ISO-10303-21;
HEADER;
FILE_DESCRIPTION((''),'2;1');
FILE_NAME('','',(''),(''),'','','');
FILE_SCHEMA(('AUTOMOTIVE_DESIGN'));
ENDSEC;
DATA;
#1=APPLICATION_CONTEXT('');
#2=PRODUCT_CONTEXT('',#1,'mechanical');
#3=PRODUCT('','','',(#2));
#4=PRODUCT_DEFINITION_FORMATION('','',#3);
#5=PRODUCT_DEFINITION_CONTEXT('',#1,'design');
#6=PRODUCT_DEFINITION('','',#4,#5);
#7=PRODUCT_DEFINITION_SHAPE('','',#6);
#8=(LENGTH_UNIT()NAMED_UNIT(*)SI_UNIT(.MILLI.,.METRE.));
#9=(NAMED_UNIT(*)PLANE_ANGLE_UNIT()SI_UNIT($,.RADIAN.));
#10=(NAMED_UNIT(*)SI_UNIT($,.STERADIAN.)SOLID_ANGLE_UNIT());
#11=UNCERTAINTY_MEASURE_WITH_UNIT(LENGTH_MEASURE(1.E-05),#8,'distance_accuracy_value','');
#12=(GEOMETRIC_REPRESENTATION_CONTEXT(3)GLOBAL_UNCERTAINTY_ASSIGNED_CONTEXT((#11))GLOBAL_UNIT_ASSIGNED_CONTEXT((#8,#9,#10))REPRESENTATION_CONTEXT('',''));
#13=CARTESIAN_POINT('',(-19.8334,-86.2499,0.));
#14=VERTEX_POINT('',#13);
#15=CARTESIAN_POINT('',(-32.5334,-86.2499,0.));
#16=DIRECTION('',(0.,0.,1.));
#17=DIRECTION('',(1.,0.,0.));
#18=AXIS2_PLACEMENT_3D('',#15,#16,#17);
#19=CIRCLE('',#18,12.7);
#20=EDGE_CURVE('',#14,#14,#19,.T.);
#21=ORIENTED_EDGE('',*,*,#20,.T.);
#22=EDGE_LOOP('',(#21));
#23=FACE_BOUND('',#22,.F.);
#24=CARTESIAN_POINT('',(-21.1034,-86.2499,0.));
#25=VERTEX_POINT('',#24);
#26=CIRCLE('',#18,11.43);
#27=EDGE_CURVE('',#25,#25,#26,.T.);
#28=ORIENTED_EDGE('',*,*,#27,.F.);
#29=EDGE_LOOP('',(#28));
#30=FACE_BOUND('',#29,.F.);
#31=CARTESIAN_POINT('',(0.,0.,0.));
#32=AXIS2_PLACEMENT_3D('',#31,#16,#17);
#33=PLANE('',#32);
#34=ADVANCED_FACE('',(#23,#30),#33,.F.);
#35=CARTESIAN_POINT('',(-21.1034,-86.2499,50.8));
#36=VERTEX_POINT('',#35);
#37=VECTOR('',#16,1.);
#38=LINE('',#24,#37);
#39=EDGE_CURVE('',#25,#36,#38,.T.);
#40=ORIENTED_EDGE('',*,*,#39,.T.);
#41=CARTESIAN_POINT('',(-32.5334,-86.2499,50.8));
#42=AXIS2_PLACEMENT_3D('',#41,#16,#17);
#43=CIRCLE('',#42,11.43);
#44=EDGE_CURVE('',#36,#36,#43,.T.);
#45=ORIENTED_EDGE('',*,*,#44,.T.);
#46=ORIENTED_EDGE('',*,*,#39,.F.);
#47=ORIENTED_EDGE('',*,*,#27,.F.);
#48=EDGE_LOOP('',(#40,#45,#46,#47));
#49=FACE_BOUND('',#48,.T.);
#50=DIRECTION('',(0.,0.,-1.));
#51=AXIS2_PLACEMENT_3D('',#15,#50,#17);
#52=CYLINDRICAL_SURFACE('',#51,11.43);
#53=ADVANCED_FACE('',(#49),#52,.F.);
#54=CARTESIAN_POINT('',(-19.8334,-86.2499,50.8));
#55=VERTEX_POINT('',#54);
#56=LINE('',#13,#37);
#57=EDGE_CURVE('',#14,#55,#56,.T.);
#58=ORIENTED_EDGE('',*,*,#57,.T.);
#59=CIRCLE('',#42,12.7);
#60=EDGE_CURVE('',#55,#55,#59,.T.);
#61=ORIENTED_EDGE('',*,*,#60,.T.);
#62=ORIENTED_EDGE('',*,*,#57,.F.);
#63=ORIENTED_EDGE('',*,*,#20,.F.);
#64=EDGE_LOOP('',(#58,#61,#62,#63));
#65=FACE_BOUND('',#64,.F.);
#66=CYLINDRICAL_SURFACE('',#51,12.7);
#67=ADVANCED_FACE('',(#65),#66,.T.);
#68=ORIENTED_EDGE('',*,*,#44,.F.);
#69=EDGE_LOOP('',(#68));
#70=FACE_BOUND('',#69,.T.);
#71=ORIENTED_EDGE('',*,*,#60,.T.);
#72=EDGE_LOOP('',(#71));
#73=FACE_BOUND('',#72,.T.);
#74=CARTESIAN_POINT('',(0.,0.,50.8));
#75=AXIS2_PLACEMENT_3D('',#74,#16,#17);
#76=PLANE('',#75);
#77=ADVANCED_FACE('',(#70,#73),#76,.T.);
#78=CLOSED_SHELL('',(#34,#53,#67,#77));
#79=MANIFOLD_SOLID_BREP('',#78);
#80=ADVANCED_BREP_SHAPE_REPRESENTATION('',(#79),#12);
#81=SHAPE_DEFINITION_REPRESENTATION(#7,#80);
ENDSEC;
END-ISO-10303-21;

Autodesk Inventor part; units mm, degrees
ref_plane "YZ Plane" through (0, 0, 0) normal (1, 0, 0) x (0, 1, 0)
ref_plane "XZ Plane" through (0, 0, 0) normal (0, 1, 0) x (-1, 0, 0)
ref_plane "XY Plane" through (0, 0, 0) normal (0, 0, 1) x (1, 0, 0)
sketch "Sketch1" plane through (0, 0, 0) normal (0, 0, 1) x (1, 0, 0)
  circle A0 centre (-32.5334, -86.2499) radius 13.97 projected
  circle A1 centre (-32.5334, -86.2499) radius 12.7
  circle A2 centre (-32.5334, -86.2499) radius 11.43
  point P0 (0, 0)
  dimension "d0" = 25.4
  dimension "d1" = 22.86
extrude "Extrusion1" add sketch "Sketch1" along normal blind 50.8 contours A1
properties part number "carbon-fiber-forearm"
